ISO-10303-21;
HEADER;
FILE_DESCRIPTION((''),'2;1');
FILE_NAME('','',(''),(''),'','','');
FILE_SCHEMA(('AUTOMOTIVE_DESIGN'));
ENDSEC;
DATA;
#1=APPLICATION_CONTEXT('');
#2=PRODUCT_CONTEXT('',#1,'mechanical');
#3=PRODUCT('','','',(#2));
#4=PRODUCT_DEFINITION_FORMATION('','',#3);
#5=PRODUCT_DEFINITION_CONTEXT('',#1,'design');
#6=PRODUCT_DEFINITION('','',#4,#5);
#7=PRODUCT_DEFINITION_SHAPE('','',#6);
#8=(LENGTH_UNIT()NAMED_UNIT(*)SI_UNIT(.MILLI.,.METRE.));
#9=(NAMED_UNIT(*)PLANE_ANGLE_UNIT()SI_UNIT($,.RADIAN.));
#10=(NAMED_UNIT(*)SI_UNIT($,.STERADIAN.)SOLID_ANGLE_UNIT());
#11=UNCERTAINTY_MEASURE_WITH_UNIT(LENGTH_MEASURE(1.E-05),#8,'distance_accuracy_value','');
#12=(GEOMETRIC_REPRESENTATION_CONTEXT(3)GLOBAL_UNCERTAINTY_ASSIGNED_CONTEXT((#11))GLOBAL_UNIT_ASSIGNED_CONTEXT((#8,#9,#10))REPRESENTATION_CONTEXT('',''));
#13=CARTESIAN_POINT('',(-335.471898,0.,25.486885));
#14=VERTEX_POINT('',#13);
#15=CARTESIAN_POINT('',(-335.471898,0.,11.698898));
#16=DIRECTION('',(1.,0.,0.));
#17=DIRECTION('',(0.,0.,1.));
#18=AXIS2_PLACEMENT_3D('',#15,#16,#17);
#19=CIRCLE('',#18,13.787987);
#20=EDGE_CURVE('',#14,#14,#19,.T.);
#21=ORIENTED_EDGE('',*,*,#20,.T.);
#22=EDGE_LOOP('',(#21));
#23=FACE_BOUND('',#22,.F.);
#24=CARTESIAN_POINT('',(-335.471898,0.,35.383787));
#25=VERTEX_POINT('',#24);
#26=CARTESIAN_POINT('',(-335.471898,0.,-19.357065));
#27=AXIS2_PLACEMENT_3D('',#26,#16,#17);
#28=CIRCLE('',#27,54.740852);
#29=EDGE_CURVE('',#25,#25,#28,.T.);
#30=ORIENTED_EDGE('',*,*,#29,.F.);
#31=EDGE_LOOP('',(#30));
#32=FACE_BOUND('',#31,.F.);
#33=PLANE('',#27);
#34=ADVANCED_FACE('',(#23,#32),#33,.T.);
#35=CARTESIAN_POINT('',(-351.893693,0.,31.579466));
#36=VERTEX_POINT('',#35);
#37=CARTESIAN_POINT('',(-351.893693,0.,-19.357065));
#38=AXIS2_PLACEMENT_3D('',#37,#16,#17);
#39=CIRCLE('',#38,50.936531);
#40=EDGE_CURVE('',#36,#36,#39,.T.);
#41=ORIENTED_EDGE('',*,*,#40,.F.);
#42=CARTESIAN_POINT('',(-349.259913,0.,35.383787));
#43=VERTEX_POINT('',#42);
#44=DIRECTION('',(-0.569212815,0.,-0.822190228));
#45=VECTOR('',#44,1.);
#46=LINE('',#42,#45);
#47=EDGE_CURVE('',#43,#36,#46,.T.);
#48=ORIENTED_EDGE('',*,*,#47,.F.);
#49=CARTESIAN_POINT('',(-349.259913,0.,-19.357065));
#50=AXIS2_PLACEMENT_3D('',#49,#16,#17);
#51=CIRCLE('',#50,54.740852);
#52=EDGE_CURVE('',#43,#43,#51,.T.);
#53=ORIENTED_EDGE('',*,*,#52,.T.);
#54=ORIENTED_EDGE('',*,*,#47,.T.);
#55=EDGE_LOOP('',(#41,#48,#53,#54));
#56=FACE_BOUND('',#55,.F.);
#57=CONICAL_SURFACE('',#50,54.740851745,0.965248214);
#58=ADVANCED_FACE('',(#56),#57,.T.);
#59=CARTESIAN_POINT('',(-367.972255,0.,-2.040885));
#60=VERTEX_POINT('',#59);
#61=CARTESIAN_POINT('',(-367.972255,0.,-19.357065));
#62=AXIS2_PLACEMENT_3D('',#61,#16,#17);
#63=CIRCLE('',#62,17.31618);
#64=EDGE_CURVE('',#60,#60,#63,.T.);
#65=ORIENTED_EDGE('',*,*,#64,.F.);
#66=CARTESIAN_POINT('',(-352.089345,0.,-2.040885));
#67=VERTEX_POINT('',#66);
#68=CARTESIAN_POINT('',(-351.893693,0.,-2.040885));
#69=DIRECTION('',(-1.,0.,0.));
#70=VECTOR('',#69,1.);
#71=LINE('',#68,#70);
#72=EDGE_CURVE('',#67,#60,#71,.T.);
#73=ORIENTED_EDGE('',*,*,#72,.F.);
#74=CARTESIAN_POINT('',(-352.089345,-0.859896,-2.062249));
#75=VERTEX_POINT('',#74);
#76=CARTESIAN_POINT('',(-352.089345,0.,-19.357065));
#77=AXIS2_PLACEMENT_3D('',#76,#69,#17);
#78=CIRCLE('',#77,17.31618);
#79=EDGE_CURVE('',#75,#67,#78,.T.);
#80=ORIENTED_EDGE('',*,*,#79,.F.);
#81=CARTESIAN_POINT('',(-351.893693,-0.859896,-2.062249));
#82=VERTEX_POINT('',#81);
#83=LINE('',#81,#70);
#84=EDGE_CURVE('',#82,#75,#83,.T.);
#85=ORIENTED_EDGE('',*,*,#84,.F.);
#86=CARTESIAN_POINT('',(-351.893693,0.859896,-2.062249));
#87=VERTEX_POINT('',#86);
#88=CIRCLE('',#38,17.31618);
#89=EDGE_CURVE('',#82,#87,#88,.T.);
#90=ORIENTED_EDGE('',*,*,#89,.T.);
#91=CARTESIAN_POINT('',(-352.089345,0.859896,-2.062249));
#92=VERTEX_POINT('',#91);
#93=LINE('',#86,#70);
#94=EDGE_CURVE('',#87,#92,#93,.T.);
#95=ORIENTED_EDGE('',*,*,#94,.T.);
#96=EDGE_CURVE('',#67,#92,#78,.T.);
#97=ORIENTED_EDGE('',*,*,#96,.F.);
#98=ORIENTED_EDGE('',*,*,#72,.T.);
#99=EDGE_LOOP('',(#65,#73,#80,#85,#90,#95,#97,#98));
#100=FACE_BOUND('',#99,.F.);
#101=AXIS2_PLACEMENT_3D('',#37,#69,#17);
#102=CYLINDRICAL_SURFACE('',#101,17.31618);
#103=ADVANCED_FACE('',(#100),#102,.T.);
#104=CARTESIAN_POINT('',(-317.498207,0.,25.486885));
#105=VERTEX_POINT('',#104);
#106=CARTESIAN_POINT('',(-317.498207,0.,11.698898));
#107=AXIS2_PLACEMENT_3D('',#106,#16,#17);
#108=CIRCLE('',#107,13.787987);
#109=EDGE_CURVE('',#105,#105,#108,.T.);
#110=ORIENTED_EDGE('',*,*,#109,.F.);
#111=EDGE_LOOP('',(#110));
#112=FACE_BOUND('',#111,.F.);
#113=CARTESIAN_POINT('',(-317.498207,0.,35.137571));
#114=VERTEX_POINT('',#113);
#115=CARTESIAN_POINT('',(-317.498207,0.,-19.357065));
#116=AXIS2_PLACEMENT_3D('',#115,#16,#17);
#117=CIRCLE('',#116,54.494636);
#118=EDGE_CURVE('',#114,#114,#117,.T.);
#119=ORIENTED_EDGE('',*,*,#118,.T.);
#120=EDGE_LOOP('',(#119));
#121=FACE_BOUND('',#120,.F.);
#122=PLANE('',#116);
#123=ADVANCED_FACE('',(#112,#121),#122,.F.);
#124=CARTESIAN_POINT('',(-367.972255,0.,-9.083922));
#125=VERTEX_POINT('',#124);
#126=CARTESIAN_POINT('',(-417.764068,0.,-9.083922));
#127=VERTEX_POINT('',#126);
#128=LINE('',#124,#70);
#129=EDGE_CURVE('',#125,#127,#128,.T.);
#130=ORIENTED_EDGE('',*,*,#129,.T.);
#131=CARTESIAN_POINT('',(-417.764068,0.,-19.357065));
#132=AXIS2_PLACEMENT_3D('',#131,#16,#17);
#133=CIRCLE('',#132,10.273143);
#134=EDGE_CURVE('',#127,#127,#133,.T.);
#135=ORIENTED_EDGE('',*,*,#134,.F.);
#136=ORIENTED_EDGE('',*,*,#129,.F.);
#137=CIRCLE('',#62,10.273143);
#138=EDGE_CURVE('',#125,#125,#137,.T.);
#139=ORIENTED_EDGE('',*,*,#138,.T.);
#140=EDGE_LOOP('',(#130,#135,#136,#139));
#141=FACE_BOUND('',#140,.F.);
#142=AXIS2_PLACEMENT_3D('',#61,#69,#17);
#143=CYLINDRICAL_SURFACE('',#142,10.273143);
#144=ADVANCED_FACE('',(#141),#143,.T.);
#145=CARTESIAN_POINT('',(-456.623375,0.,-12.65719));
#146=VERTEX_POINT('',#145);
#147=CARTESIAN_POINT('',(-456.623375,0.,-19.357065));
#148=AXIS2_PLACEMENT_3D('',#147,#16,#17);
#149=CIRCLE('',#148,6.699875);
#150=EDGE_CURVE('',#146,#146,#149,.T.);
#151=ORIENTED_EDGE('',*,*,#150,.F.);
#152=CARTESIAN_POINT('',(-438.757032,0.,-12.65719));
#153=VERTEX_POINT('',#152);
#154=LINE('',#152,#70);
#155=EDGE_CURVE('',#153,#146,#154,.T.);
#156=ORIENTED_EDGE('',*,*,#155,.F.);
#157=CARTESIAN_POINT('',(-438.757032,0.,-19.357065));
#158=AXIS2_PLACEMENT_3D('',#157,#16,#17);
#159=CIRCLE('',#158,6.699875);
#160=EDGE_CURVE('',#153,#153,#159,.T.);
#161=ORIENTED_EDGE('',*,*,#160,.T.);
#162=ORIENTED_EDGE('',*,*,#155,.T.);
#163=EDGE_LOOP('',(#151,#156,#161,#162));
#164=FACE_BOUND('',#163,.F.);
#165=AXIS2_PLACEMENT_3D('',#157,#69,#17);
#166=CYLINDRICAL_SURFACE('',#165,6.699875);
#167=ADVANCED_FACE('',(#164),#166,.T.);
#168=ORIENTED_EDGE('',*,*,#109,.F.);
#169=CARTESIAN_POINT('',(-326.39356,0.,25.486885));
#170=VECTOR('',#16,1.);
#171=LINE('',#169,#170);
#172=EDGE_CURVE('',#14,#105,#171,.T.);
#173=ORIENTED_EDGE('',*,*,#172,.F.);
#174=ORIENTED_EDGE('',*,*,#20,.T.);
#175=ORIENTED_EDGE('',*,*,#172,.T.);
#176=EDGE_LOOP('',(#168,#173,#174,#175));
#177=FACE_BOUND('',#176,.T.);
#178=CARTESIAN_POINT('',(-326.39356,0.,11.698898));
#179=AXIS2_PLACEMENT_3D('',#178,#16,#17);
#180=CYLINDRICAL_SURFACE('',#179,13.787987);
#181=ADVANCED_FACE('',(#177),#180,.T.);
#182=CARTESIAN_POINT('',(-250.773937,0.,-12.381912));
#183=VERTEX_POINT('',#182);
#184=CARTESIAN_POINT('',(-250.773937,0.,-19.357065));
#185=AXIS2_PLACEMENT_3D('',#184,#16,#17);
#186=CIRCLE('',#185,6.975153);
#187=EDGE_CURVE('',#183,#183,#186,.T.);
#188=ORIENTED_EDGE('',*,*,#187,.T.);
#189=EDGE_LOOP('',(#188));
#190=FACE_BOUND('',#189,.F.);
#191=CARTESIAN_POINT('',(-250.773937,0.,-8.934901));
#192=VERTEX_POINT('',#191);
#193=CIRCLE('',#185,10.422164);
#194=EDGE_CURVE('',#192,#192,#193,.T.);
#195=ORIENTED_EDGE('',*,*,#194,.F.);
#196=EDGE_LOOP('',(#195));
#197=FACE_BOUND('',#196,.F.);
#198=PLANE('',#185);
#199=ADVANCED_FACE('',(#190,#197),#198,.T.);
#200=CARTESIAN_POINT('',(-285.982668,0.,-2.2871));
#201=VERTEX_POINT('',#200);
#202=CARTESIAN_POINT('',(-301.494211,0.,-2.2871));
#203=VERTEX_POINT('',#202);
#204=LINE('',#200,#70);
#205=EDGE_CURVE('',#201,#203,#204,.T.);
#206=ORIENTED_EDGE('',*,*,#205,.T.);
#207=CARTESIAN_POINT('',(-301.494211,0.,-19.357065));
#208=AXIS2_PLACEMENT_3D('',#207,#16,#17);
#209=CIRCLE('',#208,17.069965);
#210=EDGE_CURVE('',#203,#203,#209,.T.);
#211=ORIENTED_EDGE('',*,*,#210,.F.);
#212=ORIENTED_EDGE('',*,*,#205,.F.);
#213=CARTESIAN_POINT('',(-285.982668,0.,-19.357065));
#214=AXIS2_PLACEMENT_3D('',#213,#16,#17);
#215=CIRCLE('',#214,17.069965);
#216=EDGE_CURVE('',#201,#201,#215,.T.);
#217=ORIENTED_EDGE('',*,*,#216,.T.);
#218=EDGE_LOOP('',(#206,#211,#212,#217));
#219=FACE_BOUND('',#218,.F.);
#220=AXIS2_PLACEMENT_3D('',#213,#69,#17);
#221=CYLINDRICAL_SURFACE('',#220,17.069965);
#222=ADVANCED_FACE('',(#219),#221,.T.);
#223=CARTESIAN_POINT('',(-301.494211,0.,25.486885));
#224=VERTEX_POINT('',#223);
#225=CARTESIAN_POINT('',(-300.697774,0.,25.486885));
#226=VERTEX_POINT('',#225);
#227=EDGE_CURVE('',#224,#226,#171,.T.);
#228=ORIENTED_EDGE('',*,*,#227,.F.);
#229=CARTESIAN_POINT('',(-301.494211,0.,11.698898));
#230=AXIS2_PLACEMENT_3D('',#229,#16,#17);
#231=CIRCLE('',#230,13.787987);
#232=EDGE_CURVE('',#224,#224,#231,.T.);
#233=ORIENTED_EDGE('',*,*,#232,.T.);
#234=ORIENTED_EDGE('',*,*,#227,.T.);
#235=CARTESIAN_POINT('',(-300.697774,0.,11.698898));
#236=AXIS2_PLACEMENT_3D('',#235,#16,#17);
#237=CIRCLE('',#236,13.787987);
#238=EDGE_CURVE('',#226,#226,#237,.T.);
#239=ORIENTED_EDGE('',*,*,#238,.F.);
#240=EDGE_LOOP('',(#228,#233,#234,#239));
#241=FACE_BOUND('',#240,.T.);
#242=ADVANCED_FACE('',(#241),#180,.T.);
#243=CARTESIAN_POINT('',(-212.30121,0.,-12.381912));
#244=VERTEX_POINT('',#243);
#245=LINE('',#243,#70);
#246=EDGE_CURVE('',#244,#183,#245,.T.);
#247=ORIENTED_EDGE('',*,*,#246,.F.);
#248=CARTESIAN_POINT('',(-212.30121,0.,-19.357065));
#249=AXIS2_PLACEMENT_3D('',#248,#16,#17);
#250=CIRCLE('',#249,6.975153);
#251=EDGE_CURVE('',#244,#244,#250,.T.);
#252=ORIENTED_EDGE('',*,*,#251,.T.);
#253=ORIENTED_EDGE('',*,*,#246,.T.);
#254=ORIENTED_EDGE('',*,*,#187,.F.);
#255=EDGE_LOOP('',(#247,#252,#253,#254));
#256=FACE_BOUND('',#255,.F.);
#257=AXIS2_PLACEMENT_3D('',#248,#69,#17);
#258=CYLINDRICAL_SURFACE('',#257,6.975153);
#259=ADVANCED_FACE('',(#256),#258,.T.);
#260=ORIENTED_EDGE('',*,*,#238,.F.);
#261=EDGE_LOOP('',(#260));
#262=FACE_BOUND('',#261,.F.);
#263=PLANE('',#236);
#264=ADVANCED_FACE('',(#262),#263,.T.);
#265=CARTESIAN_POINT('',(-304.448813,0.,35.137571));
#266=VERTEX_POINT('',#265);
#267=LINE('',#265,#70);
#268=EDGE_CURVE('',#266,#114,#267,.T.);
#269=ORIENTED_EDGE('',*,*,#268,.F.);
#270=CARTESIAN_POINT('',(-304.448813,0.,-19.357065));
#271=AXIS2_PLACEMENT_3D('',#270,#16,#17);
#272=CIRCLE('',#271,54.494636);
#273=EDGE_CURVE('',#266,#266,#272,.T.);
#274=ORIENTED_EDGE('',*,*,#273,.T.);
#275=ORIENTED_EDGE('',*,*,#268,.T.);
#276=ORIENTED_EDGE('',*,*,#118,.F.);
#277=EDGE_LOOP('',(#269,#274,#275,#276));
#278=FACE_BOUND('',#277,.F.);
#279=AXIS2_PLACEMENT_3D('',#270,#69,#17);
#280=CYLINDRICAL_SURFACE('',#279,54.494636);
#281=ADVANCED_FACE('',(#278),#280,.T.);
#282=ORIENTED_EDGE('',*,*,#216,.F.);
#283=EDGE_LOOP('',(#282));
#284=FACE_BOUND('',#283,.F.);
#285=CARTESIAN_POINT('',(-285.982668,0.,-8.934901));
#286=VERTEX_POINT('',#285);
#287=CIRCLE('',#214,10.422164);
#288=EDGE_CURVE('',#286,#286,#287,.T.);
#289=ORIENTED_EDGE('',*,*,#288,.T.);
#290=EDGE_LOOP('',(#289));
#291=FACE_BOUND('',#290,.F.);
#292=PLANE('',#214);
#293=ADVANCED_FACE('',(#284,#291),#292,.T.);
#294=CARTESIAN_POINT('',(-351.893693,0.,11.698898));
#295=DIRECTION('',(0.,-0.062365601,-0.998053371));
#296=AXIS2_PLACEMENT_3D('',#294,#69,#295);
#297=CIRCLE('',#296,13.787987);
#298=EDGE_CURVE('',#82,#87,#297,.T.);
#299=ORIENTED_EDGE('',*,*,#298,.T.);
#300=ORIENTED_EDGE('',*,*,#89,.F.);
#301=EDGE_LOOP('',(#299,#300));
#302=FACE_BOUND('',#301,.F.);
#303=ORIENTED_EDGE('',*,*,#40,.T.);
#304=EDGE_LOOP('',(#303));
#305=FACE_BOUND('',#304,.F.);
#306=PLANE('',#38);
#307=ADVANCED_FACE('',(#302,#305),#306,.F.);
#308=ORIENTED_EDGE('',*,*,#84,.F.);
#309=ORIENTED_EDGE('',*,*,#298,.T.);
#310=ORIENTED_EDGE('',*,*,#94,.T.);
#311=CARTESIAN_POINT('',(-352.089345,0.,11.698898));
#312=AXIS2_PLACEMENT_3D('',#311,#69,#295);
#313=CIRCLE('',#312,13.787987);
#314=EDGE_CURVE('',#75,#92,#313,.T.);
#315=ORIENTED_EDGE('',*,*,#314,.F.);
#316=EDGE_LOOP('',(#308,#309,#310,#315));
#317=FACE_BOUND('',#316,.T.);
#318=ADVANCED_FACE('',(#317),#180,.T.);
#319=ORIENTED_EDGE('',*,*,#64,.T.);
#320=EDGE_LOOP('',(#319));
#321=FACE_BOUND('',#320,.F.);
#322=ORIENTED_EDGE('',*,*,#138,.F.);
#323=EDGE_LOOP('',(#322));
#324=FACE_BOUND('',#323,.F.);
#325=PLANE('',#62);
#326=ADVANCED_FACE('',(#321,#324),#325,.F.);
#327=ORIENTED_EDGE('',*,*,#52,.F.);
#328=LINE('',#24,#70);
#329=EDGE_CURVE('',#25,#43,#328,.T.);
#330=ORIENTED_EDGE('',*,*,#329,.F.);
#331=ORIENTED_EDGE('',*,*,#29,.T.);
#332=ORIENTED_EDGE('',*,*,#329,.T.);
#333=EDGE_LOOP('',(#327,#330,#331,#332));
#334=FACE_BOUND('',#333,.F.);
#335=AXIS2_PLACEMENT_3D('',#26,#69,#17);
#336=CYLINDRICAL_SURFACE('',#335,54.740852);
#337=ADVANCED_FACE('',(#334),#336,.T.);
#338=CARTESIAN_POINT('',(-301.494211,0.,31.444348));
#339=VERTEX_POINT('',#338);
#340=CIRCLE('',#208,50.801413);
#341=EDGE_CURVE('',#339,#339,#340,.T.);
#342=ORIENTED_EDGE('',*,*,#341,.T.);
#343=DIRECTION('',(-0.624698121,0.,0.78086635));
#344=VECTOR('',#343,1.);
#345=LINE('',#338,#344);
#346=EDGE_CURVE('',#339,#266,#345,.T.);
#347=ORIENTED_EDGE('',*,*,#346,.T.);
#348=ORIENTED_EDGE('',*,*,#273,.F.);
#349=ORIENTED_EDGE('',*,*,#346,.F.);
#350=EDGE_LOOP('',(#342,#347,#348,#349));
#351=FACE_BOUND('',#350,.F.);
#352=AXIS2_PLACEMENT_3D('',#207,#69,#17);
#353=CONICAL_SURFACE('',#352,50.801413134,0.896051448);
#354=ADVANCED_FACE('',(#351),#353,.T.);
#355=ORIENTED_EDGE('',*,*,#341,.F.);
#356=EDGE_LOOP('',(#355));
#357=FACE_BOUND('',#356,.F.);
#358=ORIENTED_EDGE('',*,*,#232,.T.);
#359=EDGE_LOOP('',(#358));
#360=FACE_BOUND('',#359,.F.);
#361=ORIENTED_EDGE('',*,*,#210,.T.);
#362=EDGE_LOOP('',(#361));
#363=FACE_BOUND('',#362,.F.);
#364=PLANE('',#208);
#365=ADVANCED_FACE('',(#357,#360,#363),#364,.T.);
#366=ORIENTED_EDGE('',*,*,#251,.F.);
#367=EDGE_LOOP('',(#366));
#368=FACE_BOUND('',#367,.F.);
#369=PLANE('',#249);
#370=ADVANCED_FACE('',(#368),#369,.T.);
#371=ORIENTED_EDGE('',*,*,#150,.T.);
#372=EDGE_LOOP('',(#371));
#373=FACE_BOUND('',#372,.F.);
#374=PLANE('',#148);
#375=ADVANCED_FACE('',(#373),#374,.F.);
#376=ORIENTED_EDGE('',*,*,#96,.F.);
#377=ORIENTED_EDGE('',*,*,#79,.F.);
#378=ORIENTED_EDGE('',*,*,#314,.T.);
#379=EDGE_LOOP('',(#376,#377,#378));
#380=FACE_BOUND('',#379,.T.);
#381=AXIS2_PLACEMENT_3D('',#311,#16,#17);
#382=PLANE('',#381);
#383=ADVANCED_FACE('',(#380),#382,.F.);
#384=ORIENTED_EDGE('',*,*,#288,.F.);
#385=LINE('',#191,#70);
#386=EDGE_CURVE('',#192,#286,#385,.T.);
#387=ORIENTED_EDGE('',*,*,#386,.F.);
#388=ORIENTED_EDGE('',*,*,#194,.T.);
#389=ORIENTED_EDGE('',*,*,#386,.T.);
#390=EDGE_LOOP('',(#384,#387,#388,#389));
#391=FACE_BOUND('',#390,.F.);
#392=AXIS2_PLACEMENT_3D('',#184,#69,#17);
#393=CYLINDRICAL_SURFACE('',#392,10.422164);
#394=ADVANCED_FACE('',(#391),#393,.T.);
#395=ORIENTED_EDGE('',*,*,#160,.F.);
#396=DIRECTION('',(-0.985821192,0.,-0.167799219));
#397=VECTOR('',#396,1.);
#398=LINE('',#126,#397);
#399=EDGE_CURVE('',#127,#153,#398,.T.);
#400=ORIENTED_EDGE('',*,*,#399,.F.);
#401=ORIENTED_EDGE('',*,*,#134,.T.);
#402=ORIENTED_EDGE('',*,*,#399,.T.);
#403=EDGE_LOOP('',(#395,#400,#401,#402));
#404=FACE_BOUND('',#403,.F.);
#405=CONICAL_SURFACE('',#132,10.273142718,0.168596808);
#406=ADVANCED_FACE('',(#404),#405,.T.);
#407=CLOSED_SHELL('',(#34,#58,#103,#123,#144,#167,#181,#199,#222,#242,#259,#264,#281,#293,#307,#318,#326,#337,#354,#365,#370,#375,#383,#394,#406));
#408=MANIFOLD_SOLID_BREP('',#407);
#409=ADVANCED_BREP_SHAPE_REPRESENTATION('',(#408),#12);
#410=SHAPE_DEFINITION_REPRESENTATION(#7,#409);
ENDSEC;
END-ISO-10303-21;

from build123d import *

# Parameters (mm, degrees)
F3_W = 51.3915717602
F3_H = 13.7879867107


with BuildPart() as f1:
    # F0 (on Front) → F1 (revolve)
    with BuildSketch(Plane.XZ):
        Polygon((-456.6233754158, -12.6571897417), (-456.6233754158, -19.3570647389), (-335.4718983173, -19.3570647389), (-335.4718983173, 35.3837870061), (-349.2599129677, 35.3837870061), (-351.8936932087, 31.5794658113), (-351.8936932087, 25.0690672547), (-351.8936932087, 11.698897928), (-351.8936932087, -2.0408849232), (-367.9722547531, -2.0408849232), (-367.9722547531, -9.0839220211), (-417.7640676498, -9.0839220211), (-438.757032156, -12.6571897417), align=None)
    revolve(axis=Axis((-396.0476368666, 0, -19.3570647389), (1, 0, 0)))



with BuildPart() as f2:
    # F0 (on Front) → F2 (revolve)
    with BuildSketch(Plane.XZ):
        Polygon((-317.4982070923, -19.3570647389), (-212.301209569, -19.3570647389), (-212.301209569, -12.3819122091), (-250.7739365101, -12.3819122091), (-250.7739365101, -8.9349010959), (-285.9826683998, -8.9349010959), (-285.9826683998, -2.2870996036), (-301.4942109585, -2.2870996036), (-301.4942109585, 11.698897928), (-301.4942109585, 25.0690672547), (-301.4942109585, 31.4443483949), (-304.4488132, 35.1375713944), (-317.4982070923, 35.1375713944), align=None)
    revolve(axis=Axis((-264.8997083306, 0, -19.3570647389), (1, 0, 0)))


with BuildPart() as f1_1:
    add(f1.part)

    add(f2.part)  # F4 merges F2
    # F3 (on Front) → F4 (revolve)
    with BuildSketch(Plane.XZ):
        with Locations((-326.3935595751, 18.5928912833)):
            Rectangle(F3_W, F3_H)
    revolve(axis=Axis((-326.3935595751, 0, 11.698897928), (1, 0, 0)))


solid = f1_1.part
